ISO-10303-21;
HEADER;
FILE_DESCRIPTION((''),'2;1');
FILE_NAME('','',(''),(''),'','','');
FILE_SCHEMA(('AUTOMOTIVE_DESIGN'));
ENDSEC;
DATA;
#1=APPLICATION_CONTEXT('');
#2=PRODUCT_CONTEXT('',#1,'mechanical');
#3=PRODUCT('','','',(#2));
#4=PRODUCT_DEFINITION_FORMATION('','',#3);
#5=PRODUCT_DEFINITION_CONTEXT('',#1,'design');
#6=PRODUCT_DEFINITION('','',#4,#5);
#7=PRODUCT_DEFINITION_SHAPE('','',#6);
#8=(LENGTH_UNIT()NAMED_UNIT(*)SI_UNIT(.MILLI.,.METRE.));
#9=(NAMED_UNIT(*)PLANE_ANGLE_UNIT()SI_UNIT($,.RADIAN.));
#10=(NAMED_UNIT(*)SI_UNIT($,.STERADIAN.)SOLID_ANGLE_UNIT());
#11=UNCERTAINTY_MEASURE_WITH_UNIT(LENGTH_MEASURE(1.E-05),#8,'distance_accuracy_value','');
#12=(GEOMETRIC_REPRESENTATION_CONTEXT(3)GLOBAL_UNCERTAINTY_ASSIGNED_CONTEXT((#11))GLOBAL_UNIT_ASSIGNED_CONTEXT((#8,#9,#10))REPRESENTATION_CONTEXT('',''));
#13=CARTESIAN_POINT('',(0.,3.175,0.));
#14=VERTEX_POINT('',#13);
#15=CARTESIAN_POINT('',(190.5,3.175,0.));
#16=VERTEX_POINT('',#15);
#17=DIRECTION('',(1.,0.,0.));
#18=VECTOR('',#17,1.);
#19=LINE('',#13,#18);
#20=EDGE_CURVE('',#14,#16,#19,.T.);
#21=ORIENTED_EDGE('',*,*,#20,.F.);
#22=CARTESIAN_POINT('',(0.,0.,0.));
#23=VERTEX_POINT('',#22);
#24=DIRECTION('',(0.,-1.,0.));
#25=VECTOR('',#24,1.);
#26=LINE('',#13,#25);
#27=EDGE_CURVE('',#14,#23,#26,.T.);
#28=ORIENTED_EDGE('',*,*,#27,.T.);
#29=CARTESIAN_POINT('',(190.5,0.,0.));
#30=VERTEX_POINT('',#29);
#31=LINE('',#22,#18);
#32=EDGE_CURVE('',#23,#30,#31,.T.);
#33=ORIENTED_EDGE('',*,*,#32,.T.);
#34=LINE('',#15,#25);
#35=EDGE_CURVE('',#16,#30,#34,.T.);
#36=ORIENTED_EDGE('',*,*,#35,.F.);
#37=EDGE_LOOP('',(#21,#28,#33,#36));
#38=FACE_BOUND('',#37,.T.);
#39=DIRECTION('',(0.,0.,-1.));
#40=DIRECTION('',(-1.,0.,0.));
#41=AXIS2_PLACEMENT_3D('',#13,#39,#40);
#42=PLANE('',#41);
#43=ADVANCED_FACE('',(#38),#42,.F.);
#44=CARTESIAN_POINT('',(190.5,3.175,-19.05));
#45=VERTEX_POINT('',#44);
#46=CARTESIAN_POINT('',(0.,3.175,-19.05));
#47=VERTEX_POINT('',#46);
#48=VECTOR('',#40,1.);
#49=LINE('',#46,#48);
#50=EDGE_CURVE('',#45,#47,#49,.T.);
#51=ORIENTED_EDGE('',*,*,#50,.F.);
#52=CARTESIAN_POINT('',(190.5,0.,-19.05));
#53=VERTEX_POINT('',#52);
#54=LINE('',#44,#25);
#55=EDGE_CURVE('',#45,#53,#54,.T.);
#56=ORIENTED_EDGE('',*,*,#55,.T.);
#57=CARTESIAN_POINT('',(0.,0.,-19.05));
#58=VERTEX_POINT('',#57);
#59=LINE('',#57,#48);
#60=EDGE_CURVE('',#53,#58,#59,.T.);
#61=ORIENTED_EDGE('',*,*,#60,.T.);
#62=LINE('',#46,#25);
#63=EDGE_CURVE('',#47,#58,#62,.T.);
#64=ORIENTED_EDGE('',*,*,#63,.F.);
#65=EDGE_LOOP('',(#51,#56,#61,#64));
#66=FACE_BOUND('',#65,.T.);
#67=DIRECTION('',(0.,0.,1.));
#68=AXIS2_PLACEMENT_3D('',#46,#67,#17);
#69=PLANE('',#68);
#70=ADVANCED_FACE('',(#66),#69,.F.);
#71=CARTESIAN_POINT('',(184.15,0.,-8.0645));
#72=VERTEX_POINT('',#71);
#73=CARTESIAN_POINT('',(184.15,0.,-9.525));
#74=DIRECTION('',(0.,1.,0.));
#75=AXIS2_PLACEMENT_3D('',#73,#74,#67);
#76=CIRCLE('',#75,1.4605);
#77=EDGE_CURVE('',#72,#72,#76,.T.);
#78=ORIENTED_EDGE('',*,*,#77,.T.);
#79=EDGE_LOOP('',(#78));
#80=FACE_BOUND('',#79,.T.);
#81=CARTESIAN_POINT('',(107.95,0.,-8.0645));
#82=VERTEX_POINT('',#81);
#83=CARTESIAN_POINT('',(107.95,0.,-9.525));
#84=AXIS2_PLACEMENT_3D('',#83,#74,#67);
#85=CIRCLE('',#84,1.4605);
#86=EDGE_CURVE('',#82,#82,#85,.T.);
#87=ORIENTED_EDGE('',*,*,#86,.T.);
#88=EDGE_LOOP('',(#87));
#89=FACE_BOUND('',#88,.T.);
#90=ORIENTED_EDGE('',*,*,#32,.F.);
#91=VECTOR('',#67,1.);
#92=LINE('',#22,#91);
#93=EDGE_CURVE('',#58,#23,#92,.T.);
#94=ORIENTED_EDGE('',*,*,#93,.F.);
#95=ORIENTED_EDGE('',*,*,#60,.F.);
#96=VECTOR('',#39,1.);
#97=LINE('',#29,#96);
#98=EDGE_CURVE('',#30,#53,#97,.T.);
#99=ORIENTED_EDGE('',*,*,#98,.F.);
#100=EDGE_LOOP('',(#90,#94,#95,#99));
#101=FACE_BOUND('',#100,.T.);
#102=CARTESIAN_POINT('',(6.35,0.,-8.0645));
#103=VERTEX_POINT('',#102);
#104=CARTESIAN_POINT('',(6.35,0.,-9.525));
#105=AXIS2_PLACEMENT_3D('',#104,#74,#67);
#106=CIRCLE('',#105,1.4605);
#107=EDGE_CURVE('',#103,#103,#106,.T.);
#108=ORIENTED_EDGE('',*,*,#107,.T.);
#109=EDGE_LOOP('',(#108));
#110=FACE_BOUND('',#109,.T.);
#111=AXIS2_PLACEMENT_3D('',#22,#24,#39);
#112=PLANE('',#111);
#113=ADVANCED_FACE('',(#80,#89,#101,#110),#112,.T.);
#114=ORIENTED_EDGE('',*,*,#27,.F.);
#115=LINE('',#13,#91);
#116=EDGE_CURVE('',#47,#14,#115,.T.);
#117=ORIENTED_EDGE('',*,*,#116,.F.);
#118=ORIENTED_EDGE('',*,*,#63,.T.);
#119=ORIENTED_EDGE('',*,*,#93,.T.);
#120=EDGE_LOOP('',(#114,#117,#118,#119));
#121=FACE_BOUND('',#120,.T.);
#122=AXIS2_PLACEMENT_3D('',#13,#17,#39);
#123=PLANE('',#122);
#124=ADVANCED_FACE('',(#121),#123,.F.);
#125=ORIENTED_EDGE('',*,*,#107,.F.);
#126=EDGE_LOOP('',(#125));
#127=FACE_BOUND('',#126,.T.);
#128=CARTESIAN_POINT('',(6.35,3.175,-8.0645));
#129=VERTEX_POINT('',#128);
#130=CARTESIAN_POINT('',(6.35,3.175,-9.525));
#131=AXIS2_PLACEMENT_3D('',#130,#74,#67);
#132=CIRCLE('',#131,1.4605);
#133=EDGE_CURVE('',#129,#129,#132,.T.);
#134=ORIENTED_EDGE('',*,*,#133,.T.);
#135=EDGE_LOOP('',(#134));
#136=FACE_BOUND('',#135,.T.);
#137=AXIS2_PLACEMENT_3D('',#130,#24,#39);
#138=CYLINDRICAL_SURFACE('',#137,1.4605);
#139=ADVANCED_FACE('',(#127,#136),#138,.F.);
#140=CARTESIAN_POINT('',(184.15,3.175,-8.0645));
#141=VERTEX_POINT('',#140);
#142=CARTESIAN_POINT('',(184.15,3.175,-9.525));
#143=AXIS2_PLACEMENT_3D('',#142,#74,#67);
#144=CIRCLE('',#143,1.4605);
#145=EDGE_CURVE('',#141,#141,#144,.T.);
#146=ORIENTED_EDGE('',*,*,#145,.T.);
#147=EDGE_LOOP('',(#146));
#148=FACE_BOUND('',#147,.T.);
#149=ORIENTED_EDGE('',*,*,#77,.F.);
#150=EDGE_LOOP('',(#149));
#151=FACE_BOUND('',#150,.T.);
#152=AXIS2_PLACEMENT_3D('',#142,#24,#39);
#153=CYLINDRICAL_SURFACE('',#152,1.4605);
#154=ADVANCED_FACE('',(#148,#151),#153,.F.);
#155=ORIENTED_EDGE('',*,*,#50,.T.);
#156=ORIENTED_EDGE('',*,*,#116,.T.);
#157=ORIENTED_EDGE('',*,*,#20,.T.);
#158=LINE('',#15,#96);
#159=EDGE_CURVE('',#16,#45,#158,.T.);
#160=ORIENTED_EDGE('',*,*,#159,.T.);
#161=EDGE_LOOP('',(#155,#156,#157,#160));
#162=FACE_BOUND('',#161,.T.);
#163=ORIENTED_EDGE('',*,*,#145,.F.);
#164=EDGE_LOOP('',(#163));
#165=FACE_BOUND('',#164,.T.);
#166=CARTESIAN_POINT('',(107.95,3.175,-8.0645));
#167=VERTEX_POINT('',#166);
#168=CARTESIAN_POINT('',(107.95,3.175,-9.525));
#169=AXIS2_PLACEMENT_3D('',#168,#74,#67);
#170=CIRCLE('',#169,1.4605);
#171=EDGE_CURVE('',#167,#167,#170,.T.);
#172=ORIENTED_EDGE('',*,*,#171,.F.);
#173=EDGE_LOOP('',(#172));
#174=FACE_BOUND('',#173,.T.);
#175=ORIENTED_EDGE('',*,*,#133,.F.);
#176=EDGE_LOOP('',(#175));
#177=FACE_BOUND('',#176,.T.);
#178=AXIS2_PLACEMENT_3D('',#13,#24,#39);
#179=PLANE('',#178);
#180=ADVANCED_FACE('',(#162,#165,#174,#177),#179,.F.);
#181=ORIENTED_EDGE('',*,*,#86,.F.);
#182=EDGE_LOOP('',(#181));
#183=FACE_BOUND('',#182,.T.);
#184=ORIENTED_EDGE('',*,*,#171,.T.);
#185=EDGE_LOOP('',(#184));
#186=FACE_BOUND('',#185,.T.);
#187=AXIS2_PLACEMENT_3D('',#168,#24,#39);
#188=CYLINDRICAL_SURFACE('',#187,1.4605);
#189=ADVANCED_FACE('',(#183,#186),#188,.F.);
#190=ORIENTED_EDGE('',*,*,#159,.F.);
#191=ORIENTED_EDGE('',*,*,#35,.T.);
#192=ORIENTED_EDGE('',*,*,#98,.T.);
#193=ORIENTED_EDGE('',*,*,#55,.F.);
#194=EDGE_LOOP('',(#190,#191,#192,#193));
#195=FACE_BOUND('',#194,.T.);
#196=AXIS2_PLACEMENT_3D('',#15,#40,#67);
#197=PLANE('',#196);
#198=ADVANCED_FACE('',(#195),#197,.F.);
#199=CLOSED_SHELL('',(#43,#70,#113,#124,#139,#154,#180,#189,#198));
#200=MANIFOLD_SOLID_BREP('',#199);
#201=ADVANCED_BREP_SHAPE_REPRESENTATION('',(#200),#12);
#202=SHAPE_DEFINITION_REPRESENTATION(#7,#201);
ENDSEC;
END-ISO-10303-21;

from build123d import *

# Parameters (mm, degrees)
SKETCH2_W           = 190.5
SKETCH2_H           = 19.05
SKETCH2_R           = 1.4605
BOSS_EXTRUDE1_DEPTH = 3.175


with BuildPart() as part:
    # Sketch2 → Boss-Extrude1 (new body)
    with BuildSketch(Plane(origin=(0, 0, 0), x_dir=(1, 0, 0), z_dir=(0, 1, 0))):
        with Locations((95.25, 9.525)):
            Rectangle(SKETCH2_W, SKETCH2_H)
        with Locations(Location((6.35, 9.525, 0), (0, 0, 270))):
            Circle(SKETCH2_R, mode=Mode.SUBTRACT)
        with Locations(Location((184.15, 9.525, 0), (0, 0, 270))):
            Circle(SKETCH2_R, mode=Mode.SUBTRACT)
        with Locations(Location((107.95, 9.525, 0), (0, 0, 270))):
            Circle(SKETCH2_R, mode=Mode.SUBTRACT)
    extrude(amount=BOSS_EXTRUDE1_DEPTH)


solid = part.part
